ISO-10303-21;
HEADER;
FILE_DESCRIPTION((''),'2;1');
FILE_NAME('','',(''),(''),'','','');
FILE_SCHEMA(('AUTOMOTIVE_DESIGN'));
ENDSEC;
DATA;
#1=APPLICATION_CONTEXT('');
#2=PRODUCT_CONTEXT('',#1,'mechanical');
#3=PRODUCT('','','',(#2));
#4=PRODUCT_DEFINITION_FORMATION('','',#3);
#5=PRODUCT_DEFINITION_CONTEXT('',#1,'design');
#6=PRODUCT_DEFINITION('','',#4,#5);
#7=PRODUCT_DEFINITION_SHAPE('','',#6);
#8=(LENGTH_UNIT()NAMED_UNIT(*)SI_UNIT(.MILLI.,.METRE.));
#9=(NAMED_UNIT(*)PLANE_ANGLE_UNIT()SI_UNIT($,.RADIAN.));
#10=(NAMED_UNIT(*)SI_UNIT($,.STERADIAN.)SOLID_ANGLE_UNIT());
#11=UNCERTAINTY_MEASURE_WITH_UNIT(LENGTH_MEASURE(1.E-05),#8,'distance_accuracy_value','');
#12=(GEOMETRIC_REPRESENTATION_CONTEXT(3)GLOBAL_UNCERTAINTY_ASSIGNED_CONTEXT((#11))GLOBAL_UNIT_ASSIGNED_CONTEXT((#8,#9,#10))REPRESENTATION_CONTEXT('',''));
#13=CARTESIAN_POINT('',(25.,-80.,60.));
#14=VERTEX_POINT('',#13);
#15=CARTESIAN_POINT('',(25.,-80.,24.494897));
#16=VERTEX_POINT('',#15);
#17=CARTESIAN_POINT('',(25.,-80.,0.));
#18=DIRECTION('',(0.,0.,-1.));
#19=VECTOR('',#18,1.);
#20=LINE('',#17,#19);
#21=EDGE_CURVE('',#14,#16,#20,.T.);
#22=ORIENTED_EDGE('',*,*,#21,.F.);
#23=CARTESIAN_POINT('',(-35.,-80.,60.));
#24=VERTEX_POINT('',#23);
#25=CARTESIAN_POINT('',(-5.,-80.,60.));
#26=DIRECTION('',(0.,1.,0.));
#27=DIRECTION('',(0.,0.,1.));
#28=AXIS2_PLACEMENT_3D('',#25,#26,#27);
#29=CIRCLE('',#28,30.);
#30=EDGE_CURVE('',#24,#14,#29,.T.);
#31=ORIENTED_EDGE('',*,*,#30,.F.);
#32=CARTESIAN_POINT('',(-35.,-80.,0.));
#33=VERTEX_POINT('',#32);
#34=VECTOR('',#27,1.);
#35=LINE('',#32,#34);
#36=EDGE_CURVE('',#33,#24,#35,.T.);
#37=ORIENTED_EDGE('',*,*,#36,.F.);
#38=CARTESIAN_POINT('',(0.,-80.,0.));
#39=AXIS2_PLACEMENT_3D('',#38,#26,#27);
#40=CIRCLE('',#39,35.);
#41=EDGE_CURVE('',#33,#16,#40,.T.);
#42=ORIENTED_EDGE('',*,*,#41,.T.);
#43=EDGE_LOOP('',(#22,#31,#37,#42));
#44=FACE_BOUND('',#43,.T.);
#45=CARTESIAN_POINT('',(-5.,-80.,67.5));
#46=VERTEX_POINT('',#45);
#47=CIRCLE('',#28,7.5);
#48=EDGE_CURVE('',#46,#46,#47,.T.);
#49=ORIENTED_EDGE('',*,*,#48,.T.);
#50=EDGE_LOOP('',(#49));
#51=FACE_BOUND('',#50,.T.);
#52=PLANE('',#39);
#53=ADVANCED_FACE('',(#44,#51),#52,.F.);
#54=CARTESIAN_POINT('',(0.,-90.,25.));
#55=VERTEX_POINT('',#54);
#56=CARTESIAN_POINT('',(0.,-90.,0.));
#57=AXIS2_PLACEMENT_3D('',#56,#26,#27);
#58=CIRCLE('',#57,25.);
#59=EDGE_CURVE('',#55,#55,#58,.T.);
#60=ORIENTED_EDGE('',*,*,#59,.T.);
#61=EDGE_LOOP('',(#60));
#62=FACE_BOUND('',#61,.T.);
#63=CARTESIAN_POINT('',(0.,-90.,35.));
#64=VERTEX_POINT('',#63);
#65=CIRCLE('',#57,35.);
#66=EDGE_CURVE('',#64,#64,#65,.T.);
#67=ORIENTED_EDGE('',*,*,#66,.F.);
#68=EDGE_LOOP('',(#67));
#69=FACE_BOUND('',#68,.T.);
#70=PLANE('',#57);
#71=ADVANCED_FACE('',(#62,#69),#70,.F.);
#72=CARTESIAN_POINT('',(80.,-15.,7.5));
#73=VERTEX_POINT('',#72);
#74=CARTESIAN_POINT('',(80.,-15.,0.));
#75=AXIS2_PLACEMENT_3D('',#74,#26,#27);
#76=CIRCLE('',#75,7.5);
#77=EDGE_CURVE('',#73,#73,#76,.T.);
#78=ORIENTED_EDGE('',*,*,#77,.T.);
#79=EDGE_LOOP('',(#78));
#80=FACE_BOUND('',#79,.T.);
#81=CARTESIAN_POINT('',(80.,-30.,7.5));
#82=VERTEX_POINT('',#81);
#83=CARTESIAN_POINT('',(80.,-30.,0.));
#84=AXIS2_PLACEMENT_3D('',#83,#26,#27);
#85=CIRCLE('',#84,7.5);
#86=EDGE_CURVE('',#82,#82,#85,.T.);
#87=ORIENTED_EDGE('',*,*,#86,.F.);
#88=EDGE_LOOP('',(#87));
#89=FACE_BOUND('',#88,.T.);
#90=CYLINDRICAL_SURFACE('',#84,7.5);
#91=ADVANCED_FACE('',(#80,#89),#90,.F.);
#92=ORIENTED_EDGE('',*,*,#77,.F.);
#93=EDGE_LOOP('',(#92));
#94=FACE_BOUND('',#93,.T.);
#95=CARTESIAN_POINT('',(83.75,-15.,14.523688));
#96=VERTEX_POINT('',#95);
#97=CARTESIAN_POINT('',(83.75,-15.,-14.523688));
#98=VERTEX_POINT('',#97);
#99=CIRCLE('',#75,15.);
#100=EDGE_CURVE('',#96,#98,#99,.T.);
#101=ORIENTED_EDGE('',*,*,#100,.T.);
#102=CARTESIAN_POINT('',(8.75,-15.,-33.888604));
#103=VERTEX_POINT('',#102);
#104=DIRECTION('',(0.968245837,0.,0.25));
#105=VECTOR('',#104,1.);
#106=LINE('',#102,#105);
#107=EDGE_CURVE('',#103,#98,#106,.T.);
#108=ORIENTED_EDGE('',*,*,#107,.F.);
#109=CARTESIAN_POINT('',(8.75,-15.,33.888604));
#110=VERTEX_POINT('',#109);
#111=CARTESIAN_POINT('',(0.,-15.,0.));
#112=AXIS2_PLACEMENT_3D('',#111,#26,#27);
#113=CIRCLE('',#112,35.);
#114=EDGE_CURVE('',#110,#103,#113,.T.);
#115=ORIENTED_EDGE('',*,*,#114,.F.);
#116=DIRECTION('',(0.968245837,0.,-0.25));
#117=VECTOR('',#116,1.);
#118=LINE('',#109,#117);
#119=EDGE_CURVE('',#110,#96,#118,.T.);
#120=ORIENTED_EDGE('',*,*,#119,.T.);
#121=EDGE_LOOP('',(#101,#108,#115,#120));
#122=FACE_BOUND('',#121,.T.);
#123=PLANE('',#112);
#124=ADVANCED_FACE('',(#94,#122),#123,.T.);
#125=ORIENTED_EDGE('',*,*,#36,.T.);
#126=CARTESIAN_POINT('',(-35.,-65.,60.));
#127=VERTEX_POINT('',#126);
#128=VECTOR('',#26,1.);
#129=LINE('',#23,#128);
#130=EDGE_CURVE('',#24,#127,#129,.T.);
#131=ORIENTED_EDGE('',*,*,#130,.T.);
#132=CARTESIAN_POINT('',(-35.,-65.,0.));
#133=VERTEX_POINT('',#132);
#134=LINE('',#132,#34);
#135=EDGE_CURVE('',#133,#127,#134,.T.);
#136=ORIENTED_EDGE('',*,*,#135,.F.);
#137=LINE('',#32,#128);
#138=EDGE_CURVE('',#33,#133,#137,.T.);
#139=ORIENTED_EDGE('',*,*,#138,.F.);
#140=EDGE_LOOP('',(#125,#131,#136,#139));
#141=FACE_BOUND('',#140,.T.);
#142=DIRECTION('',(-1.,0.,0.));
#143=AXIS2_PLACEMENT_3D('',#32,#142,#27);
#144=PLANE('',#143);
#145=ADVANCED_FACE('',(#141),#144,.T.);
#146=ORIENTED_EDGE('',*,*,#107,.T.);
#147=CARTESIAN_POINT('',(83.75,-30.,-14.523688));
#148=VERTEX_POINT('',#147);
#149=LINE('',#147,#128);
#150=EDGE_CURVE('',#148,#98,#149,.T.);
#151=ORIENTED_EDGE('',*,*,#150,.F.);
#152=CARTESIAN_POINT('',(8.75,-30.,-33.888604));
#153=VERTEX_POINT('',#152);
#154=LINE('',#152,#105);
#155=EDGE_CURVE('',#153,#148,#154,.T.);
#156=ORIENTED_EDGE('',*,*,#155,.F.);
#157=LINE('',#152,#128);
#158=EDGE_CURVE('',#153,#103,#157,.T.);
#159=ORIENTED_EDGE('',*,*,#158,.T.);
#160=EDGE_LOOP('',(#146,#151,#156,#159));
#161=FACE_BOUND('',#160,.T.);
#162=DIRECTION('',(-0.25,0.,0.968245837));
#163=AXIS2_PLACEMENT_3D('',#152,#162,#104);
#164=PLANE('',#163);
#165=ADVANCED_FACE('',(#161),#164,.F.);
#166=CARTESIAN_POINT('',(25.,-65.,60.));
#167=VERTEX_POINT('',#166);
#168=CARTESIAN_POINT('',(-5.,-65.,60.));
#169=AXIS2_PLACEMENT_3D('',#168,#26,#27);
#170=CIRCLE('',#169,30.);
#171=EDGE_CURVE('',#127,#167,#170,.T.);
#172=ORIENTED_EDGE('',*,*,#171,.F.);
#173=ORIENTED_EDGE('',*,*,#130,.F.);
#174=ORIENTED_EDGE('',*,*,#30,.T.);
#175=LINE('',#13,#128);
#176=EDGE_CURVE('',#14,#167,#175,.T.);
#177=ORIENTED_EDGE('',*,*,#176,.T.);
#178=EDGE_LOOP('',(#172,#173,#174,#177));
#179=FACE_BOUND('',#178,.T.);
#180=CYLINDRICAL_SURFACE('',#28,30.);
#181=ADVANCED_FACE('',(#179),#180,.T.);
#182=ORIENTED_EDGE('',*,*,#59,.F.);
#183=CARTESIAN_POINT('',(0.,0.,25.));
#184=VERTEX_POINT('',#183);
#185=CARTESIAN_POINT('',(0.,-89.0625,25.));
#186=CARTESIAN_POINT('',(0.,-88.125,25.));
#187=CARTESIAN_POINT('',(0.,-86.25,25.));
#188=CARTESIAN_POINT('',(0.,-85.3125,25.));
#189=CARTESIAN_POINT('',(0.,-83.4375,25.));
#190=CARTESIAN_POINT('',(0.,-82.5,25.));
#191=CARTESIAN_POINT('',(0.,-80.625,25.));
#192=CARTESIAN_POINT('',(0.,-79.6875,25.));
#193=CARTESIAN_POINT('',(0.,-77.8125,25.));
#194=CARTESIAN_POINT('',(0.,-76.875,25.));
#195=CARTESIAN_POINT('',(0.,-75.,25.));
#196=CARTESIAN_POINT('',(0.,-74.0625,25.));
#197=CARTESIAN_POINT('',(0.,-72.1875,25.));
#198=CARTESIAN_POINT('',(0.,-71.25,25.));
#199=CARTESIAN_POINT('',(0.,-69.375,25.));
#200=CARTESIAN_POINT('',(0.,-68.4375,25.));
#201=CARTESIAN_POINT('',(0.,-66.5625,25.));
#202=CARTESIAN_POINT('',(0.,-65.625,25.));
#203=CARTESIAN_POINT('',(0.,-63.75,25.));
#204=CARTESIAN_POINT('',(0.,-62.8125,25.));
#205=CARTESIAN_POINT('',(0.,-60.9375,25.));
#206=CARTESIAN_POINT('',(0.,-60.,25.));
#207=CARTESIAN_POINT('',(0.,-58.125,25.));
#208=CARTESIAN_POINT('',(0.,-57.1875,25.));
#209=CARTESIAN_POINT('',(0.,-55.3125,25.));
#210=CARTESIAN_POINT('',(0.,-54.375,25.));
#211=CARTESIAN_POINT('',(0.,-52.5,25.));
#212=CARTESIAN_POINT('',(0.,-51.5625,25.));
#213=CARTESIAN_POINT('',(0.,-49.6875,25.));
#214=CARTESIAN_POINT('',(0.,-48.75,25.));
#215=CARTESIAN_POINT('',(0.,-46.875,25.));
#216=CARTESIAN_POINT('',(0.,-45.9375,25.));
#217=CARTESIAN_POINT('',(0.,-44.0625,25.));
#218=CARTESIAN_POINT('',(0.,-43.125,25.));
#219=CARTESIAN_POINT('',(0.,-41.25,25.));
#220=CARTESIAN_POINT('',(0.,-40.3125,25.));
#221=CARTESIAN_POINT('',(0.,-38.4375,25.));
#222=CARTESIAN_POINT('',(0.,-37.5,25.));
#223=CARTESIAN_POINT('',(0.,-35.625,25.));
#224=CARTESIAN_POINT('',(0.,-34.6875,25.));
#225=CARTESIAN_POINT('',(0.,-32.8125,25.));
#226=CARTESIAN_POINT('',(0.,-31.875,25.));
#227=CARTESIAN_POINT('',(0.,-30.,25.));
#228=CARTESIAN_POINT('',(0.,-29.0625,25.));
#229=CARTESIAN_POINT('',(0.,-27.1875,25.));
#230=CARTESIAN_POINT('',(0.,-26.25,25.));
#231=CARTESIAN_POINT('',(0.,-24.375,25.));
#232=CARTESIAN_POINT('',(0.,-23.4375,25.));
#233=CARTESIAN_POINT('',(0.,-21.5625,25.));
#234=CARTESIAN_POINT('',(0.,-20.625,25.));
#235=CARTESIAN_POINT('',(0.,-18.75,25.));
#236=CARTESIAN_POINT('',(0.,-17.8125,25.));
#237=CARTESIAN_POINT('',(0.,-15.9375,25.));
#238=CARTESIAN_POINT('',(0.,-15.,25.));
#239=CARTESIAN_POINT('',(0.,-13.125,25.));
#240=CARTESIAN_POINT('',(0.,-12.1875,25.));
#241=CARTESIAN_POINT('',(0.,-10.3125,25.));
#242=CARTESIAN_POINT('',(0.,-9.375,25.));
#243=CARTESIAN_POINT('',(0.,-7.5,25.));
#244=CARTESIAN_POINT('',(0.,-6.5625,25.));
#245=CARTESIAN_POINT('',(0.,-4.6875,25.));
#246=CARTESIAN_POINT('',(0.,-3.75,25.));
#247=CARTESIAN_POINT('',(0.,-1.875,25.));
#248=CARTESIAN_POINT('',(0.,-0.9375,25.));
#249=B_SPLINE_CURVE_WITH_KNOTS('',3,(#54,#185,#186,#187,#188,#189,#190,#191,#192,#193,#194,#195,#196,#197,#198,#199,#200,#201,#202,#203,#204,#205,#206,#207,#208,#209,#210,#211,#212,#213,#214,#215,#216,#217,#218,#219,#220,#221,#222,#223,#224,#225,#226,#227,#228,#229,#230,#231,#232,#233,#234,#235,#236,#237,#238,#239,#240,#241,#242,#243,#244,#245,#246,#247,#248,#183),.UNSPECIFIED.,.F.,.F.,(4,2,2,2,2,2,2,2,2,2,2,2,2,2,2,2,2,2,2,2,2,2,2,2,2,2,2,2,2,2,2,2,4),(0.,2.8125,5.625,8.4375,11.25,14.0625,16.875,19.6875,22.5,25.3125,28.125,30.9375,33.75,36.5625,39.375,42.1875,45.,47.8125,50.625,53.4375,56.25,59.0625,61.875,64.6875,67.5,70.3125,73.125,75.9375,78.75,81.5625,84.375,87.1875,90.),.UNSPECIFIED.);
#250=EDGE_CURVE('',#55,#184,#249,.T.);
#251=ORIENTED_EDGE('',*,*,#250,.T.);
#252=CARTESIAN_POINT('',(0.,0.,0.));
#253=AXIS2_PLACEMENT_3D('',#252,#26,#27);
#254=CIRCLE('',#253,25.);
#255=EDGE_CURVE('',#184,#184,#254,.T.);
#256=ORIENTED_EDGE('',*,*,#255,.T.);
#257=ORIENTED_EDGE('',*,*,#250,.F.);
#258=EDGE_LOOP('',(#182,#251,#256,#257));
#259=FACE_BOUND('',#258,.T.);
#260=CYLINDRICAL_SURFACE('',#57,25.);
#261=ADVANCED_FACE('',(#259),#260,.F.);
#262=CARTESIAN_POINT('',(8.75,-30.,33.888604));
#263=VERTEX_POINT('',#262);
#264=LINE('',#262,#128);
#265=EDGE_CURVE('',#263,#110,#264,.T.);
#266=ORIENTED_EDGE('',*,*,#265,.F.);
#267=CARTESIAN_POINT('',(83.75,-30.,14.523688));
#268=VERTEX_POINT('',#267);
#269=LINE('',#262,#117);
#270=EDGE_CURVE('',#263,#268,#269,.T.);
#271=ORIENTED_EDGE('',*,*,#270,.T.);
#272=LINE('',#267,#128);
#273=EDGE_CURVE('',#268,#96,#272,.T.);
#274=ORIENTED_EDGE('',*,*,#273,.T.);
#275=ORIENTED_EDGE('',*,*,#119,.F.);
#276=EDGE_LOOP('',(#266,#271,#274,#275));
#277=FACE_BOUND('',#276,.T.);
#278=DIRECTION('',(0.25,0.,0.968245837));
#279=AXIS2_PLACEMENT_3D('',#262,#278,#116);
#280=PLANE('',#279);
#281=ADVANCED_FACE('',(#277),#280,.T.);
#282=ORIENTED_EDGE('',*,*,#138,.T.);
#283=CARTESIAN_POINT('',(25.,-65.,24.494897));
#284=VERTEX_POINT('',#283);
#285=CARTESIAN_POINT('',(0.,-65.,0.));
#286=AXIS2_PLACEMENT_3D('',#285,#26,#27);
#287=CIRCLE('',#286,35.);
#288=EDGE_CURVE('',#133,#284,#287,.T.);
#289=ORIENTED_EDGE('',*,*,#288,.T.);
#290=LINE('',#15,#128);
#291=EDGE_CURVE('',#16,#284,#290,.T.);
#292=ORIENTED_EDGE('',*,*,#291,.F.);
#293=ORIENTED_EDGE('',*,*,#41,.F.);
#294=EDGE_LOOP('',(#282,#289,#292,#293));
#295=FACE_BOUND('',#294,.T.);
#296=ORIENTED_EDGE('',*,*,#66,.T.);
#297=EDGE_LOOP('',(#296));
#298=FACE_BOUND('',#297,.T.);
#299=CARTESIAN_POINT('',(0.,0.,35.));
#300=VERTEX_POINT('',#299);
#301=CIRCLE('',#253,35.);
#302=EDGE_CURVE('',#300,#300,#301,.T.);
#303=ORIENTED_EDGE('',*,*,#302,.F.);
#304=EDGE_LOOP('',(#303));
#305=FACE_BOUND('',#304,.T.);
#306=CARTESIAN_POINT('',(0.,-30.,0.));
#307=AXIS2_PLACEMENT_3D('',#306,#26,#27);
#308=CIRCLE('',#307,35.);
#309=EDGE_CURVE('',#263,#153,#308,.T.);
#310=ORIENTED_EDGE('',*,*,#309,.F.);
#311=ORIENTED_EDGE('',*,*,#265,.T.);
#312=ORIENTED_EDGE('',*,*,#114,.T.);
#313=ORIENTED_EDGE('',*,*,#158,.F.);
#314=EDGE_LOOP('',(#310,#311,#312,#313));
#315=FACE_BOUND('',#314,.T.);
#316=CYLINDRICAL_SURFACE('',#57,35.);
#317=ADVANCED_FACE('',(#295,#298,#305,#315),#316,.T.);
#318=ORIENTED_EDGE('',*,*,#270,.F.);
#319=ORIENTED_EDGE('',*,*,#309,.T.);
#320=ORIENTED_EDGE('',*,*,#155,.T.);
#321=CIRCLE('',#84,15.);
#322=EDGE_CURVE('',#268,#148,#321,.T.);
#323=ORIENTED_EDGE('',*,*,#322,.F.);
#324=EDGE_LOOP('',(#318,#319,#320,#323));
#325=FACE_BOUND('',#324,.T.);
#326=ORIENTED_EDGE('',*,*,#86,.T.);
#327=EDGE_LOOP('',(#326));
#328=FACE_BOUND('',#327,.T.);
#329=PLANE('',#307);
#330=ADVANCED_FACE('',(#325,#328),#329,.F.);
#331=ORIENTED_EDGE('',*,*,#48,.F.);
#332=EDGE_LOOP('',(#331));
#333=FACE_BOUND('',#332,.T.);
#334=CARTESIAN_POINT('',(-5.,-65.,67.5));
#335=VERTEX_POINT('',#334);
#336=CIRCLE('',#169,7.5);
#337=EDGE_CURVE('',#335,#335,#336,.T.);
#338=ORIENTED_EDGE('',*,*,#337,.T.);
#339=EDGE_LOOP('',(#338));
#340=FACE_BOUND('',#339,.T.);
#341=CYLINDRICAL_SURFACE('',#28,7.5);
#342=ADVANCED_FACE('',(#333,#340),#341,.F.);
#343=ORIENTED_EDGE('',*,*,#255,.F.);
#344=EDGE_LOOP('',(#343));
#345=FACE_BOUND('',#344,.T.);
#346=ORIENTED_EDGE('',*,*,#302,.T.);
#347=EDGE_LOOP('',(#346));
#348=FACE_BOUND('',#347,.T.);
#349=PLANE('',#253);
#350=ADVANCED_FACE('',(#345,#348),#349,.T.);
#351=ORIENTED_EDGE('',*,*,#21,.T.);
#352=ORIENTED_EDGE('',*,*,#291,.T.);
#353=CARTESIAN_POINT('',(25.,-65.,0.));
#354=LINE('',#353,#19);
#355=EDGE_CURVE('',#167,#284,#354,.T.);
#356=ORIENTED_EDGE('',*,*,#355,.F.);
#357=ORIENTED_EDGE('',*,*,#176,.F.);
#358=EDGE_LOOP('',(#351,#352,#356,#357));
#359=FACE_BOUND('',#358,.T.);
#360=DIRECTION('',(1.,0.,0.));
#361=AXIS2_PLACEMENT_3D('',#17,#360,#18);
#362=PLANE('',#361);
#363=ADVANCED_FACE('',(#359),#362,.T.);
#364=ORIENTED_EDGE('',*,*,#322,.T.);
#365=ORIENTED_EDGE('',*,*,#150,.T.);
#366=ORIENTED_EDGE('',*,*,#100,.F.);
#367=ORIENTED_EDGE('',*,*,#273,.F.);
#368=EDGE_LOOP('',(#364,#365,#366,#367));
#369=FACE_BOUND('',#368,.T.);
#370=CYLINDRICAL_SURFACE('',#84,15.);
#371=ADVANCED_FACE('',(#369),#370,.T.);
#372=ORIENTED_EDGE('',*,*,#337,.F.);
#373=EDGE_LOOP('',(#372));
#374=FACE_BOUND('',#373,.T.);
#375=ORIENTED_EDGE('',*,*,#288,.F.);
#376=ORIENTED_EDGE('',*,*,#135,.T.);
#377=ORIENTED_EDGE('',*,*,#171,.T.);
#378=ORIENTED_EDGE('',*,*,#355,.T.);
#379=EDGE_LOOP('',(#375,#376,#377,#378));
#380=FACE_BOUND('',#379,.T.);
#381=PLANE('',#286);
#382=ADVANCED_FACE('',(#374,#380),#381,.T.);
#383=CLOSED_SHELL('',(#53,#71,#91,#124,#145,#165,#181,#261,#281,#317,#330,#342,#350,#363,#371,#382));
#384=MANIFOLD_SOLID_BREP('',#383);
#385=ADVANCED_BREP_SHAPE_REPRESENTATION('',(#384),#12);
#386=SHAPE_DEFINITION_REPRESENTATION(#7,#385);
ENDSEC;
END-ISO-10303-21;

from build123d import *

# Parameters (mm, degrees)
SKETCH1_R           = 25
BOSS_EXTRUDE1_DEPTH = 90
BOSS_EXTRUDE2_START = -65
SKETCH1_3_R         = 7.5
BOSS_EXTRUDE2_DEPTH = 15
BOSS_EXTRUDE3_START = -15
SKETCH1_4_R         = 7.5
BOSS_EXTRUDE3_DEPTH = 15


with BuildPart() as part:
    # Sketch1 → Boss-Extrude1 (new body)
    with BuildSketch(Plane(origin=(0, 0, 0), x_dir=(1, 0, 0), z_dir=(0, 1, 0))):
        with BuildLine():
            ThreePointArc((35, 0), (27.669929526, 21.433035249), (8.75, 33.888604279))
            ThreePointArc((8.75, 33.888604279), (-21.433035249, 27.669929526), (-35, 0))
            ThreePointArc((-35, 0), (-21.433035249, -27.669929526), (8.75, -33.888604279))
            ThreePointArc((8.75, -33.888604279), (17.516451042, -30.301385165), (25, -24.494897428))
            ThreePointArc((25, -24.494897428), (32.403703492, -13.228756555), (35, 0))
        make_face()
        Circle(SKETCH1_R, mode=Mode.SUBTRACT)
    extrude(amount=-BOSS_EXTRUDE1_DEPTH)

    # Sketch1<3> → Boss-Extrude2 (add)
    with BuildSketch(Plane(origin=(0, 0, 0), x_dir=(1, 0, 0), z_dir=(0, 1, 0)).offset(BOSS_EXTRUDE2_START)):
        with BuildLine():
            Line((-35, 0), (-35, -60))
            ThreePointArc((-35, -60), (-5, -90), (25, -60))
            Line((25, -60), (25, -24.494897428))
            ThreePointArc((25, -24.494897428), (-13.228756555, -32.403703492), (-35, 0))
        make_face()
        with Locations((-5, -60)):
            Circle(SKETCH1_3_R, mode=Mode.SUBTRACT)
    extrude(amount=-BOSS_EXTRUDE2_DEPTH)

    # Sketch1<4> → Boss-Extrude3 (add)
    with BuildSketch(Plane(origin=(0, 0, 0), x_dir=(1, 0, 0), z_dir=(0, 1, 0)).offset(BOSS_EXTRUDE3_START)):
        with BuildLine():
            Line((83.75, 14.523687548), (8.75, 33.888604279))
            ThreePointArc((8.75, 33.888604279), (35, 0), (8.75, -33.888604279))
            Line((8.75, -33.888604279), (83.75, -14.523687548))
            ThreePointArc((83.75, -14.523687548), (95, 0), (83.75, 14.523687548))
        make_face()
        with Locations((80, 0)):
            Circle(SKETCH1_4_R, mode=Mode.SUBTRACT)
    extrude(amount=-BOSS_EXTRUDE3_DEPTH)


solid = part.part
